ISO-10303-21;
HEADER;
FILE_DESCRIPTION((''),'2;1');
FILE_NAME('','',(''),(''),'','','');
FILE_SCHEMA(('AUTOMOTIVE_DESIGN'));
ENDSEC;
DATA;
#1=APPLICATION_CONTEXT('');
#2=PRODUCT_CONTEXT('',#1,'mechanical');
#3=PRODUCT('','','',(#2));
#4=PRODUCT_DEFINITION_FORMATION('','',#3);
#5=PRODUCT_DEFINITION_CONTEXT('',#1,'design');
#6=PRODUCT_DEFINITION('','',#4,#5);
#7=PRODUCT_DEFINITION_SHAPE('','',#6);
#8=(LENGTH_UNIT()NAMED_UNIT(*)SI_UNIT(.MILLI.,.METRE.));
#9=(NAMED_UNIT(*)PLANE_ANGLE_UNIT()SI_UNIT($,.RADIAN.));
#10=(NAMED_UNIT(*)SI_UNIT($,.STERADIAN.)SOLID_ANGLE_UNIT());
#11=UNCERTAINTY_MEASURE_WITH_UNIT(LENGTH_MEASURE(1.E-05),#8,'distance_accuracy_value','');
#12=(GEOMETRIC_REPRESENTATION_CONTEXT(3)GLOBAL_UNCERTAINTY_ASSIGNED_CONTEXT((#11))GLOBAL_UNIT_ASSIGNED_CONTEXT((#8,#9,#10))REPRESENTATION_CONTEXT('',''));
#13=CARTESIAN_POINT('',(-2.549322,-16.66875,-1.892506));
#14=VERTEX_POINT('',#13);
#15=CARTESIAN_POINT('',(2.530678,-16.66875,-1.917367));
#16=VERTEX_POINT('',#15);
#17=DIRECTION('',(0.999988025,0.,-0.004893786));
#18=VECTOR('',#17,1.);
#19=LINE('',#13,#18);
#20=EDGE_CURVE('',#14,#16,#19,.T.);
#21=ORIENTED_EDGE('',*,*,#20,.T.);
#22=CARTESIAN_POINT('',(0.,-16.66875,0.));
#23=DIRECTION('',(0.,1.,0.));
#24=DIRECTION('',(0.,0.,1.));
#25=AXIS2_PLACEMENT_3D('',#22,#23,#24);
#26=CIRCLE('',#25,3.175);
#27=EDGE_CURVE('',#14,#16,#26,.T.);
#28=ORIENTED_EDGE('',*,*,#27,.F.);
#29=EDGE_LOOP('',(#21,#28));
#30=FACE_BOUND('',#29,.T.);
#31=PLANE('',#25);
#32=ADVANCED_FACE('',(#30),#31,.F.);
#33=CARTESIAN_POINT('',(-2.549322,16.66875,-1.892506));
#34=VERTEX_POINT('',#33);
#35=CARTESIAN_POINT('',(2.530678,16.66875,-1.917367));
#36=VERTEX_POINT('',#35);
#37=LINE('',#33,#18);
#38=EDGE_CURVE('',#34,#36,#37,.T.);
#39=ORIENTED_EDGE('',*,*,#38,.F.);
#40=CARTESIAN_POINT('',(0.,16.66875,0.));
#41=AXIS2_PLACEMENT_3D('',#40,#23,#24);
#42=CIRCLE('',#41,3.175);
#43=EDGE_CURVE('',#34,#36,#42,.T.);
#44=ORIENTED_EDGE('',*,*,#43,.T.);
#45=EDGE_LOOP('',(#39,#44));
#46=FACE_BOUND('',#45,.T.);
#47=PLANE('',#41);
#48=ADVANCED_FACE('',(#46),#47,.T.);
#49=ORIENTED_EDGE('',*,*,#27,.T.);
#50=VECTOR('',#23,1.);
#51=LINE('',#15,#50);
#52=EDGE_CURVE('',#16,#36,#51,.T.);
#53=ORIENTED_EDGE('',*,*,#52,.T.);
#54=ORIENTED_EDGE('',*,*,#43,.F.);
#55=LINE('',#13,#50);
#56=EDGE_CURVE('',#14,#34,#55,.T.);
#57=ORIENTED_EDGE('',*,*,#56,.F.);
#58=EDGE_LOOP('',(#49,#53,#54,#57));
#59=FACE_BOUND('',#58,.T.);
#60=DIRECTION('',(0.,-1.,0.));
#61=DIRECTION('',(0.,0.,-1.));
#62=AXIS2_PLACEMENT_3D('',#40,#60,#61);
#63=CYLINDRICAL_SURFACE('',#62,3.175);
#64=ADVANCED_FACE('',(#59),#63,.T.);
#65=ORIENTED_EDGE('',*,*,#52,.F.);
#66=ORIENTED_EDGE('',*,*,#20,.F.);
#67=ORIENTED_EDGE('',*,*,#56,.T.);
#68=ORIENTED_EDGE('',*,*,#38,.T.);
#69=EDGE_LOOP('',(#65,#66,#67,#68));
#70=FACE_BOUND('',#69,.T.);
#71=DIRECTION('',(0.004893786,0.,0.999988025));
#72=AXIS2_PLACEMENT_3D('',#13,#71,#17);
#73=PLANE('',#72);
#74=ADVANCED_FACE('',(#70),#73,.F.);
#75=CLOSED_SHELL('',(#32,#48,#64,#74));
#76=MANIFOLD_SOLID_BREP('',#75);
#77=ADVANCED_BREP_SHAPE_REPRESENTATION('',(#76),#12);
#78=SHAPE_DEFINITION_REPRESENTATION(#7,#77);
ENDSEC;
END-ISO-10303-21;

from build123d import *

# Parameters (mm, degrees)
SKETCH1_R           = 3.175
BOSS_EXTRUDE1_DEPTH = 16.66875
CUT_EXTRUDE5_DEPTH  = 34.638521909


with BuildPart() as part:
    # Sketch1 → Boss-Extrude1 (new, symmetric)
    with BuildSketch(Plane(origin=(0, 0, 0), x_dir=(1, 0, 0), z_dir=(0, 1, 0))):
        with Locations(Location((0, 0, 0), (0, 0, 270))):
            Circle(SKETCH1_R)
    extrude(amount=BOSS_EXTRUDE1_DEPTH, both=True)

    # Sketch2 → Cut-Extrude5 (cut, through all)
    with BuildSketch(Plane(origin=(0, 16.66875, 0), x_dir=(1, 0, 0), z_dir=(0, 1, 0))):
        with BuildLine():
            Line((-2.549322464, 1.892506268), (2.530677536, 1.917366999))
            ThreePointArc((2.530677536, 1.917366999), (-0.015537771, 3.174961981), (-2.549322464, 1.892506268))
        make_face()
    extrude(amount=-CUT_EXTRUDE5_DEPTH, mode=Mode.SUBTRACT)


solid = part.part
